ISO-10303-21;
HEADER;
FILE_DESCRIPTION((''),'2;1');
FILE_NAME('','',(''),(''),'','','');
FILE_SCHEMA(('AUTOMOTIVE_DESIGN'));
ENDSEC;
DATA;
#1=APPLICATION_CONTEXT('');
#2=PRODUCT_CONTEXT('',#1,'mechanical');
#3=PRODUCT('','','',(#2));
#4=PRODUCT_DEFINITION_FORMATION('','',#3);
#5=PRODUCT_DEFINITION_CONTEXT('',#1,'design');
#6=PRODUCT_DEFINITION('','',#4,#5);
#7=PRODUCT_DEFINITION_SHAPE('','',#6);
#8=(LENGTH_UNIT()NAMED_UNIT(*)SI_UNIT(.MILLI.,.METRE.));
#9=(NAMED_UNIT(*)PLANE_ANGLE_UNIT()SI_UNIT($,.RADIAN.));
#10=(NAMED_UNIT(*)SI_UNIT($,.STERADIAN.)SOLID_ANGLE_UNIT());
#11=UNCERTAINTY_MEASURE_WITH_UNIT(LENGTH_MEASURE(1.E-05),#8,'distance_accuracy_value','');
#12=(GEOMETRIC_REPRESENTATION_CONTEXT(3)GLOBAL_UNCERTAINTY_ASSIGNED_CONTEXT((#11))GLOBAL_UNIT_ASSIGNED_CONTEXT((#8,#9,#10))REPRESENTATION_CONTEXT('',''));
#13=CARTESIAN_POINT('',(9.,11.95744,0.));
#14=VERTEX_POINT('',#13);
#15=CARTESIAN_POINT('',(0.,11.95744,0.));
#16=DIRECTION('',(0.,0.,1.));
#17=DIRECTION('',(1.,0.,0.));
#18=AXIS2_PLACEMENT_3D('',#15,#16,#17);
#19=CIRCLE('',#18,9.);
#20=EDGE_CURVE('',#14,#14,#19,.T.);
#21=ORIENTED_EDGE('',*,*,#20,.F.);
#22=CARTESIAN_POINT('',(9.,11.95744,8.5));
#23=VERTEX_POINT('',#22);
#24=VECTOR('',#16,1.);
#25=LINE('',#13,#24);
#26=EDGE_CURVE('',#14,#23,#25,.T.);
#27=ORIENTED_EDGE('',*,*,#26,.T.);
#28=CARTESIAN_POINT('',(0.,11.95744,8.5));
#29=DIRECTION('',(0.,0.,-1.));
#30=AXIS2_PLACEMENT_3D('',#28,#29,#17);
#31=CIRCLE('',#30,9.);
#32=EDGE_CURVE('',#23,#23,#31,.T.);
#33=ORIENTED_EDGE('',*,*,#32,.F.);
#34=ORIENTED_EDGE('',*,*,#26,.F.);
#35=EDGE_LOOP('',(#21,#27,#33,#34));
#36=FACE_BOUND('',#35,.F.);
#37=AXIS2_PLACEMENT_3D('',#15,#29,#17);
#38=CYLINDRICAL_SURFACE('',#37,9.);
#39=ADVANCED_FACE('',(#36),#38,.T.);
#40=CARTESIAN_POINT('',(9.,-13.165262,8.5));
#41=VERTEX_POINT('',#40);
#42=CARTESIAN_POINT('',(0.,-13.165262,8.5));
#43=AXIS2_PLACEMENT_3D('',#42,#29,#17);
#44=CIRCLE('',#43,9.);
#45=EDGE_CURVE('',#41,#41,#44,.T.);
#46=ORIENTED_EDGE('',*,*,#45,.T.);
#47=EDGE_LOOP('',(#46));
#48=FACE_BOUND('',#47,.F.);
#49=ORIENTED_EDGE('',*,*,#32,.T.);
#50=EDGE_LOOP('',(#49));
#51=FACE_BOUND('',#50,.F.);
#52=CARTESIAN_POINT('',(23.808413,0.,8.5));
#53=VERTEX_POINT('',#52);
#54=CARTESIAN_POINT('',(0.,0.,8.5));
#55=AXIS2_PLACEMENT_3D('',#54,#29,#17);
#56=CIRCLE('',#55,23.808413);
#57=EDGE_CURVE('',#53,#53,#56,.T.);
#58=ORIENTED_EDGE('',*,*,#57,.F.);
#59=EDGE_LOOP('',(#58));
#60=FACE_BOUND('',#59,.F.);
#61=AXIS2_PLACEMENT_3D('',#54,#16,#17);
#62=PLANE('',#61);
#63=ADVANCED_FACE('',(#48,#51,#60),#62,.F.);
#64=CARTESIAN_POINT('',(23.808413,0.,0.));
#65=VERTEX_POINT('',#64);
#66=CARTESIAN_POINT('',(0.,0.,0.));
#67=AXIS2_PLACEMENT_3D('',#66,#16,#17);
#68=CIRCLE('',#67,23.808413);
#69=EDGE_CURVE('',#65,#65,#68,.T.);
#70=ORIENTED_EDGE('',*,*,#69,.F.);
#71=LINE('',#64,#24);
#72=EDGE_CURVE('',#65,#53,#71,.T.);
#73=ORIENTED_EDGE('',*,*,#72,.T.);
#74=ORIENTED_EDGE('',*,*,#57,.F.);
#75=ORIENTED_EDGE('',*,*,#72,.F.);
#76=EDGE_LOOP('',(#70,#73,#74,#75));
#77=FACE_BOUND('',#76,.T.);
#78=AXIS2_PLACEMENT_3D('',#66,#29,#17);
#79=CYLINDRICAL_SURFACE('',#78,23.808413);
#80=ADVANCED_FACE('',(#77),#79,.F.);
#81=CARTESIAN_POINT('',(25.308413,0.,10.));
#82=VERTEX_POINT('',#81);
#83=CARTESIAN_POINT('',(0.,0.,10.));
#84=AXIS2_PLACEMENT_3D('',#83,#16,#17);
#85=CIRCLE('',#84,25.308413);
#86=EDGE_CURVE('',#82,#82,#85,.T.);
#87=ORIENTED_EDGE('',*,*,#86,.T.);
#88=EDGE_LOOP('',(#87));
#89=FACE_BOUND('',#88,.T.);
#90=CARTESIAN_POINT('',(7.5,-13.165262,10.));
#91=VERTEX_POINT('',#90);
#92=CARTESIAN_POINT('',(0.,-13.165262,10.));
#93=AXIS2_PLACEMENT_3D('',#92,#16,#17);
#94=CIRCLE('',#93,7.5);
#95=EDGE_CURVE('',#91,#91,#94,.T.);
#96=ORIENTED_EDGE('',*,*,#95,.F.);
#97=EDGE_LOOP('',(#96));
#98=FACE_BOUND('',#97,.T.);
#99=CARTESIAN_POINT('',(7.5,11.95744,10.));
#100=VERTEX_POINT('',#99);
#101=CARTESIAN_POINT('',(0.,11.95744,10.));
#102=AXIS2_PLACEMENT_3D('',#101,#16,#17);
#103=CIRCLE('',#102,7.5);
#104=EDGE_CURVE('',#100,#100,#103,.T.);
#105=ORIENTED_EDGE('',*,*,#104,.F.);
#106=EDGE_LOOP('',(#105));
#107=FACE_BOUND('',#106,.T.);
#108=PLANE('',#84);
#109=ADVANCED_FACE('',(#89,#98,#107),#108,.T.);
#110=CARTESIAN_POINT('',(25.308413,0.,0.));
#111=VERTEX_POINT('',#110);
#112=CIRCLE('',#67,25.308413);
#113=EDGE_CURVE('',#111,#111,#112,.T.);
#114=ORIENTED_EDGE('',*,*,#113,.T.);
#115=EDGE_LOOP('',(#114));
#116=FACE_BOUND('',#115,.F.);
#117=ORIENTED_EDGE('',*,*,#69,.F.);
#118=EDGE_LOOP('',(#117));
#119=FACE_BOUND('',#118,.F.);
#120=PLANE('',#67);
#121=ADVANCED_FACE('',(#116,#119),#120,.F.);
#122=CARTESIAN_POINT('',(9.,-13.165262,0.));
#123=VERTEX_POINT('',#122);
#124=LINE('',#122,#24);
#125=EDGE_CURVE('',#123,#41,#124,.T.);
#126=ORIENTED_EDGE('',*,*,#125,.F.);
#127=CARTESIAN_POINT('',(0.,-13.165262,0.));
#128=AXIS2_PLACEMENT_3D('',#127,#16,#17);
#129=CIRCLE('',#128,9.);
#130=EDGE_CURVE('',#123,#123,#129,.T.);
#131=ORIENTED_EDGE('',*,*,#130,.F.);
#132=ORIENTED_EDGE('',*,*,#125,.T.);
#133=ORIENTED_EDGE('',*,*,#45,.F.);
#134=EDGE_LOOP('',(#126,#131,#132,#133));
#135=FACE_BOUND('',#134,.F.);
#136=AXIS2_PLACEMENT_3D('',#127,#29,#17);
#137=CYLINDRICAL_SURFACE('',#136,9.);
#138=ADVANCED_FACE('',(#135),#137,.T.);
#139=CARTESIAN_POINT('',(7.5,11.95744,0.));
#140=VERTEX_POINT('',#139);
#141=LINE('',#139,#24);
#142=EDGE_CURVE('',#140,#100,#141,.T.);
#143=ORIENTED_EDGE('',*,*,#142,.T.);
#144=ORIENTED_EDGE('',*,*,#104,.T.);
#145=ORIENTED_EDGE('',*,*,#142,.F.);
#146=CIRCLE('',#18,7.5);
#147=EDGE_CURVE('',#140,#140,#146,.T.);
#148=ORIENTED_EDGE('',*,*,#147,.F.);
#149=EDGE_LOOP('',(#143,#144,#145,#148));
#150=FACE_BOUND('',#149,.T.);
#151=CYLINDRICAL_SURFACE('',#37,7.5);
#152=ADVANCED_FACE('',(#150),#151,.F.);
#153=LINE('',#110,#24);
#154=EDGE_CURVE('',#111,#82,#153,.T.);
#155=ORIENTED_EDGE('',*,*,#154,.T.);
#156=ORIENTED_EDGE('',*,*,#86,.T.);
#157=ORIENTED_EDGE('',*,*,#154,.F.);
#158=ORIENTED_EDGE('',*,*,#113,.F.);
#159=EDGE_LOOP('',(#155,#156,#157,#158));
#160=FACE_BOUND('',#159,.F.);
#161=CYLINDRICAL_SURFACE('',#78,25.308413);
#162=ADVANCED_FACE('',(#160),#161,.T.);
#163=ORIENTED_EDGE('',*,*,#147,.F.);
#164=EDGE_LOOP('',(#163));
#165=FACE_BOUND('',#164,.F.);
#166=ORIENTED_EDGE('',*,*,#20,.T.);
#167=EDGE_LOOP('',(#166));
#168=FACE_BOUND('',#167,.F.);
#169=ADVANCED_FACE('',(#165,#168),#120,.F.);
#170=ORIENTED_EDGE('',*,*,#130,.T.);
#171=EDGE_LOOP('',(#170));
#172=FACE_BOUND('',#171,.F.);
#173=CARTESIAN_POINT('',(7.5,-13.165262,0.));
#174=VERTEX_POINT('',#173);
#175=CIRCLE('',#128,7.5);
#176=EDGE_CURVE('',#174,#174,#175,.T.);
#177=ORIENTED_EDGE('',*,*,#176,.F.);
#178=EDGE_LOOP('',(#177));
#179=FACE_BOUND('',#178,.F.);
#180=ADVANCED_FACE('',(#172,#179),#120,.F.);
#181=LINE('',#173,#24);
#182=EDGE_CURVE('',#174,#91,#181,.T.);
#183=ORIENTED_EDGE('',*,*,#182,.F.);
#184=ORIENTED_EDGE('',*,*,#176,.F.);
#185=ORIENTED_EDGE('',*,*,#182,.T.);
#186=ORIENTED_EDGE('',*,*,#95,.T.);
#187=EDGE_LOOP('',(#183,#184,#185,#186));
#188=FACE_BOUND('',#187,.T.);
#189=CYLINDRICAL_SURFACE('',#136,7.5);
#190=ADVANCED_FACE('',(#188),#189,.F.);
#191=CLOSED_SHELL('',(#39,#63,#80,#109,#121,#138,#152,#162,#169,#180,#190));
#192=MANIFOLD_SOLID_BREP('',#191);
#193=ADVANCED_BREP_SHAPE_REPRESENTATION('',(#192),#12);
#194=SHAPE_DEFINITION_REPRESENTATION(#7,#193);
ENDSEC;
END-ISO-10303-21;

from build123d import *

# Parameters (mm, degrees)
F0_R     = 25.308413
F0_R_2   = 7.5
F1_DEPTH = 10
F2_T     = -1.5


with BuildPart() as f1:
    # F0 (on Top) → F1 (new body)
    with BuildSketch(Plane.XY):
        Circle(F0_R)
        with Locations((0, -13.165262)):
            Circle(F0_R_2, mode=Mode.SUBTRACT)
        with Locations((0, 11.95744)):
            Circle(F0_R_2, mode=Mode.SUBTRACT)
    extrude(amount=F1_DEPTH)

    # F2
    f2_openings = [f1.faces().sort_by_distance(p)[0] for p in [
        (0, 0.12867, 0),
    ]]
    offset(amount=F2_T, openings=f2_openings)


solid = f1.part
